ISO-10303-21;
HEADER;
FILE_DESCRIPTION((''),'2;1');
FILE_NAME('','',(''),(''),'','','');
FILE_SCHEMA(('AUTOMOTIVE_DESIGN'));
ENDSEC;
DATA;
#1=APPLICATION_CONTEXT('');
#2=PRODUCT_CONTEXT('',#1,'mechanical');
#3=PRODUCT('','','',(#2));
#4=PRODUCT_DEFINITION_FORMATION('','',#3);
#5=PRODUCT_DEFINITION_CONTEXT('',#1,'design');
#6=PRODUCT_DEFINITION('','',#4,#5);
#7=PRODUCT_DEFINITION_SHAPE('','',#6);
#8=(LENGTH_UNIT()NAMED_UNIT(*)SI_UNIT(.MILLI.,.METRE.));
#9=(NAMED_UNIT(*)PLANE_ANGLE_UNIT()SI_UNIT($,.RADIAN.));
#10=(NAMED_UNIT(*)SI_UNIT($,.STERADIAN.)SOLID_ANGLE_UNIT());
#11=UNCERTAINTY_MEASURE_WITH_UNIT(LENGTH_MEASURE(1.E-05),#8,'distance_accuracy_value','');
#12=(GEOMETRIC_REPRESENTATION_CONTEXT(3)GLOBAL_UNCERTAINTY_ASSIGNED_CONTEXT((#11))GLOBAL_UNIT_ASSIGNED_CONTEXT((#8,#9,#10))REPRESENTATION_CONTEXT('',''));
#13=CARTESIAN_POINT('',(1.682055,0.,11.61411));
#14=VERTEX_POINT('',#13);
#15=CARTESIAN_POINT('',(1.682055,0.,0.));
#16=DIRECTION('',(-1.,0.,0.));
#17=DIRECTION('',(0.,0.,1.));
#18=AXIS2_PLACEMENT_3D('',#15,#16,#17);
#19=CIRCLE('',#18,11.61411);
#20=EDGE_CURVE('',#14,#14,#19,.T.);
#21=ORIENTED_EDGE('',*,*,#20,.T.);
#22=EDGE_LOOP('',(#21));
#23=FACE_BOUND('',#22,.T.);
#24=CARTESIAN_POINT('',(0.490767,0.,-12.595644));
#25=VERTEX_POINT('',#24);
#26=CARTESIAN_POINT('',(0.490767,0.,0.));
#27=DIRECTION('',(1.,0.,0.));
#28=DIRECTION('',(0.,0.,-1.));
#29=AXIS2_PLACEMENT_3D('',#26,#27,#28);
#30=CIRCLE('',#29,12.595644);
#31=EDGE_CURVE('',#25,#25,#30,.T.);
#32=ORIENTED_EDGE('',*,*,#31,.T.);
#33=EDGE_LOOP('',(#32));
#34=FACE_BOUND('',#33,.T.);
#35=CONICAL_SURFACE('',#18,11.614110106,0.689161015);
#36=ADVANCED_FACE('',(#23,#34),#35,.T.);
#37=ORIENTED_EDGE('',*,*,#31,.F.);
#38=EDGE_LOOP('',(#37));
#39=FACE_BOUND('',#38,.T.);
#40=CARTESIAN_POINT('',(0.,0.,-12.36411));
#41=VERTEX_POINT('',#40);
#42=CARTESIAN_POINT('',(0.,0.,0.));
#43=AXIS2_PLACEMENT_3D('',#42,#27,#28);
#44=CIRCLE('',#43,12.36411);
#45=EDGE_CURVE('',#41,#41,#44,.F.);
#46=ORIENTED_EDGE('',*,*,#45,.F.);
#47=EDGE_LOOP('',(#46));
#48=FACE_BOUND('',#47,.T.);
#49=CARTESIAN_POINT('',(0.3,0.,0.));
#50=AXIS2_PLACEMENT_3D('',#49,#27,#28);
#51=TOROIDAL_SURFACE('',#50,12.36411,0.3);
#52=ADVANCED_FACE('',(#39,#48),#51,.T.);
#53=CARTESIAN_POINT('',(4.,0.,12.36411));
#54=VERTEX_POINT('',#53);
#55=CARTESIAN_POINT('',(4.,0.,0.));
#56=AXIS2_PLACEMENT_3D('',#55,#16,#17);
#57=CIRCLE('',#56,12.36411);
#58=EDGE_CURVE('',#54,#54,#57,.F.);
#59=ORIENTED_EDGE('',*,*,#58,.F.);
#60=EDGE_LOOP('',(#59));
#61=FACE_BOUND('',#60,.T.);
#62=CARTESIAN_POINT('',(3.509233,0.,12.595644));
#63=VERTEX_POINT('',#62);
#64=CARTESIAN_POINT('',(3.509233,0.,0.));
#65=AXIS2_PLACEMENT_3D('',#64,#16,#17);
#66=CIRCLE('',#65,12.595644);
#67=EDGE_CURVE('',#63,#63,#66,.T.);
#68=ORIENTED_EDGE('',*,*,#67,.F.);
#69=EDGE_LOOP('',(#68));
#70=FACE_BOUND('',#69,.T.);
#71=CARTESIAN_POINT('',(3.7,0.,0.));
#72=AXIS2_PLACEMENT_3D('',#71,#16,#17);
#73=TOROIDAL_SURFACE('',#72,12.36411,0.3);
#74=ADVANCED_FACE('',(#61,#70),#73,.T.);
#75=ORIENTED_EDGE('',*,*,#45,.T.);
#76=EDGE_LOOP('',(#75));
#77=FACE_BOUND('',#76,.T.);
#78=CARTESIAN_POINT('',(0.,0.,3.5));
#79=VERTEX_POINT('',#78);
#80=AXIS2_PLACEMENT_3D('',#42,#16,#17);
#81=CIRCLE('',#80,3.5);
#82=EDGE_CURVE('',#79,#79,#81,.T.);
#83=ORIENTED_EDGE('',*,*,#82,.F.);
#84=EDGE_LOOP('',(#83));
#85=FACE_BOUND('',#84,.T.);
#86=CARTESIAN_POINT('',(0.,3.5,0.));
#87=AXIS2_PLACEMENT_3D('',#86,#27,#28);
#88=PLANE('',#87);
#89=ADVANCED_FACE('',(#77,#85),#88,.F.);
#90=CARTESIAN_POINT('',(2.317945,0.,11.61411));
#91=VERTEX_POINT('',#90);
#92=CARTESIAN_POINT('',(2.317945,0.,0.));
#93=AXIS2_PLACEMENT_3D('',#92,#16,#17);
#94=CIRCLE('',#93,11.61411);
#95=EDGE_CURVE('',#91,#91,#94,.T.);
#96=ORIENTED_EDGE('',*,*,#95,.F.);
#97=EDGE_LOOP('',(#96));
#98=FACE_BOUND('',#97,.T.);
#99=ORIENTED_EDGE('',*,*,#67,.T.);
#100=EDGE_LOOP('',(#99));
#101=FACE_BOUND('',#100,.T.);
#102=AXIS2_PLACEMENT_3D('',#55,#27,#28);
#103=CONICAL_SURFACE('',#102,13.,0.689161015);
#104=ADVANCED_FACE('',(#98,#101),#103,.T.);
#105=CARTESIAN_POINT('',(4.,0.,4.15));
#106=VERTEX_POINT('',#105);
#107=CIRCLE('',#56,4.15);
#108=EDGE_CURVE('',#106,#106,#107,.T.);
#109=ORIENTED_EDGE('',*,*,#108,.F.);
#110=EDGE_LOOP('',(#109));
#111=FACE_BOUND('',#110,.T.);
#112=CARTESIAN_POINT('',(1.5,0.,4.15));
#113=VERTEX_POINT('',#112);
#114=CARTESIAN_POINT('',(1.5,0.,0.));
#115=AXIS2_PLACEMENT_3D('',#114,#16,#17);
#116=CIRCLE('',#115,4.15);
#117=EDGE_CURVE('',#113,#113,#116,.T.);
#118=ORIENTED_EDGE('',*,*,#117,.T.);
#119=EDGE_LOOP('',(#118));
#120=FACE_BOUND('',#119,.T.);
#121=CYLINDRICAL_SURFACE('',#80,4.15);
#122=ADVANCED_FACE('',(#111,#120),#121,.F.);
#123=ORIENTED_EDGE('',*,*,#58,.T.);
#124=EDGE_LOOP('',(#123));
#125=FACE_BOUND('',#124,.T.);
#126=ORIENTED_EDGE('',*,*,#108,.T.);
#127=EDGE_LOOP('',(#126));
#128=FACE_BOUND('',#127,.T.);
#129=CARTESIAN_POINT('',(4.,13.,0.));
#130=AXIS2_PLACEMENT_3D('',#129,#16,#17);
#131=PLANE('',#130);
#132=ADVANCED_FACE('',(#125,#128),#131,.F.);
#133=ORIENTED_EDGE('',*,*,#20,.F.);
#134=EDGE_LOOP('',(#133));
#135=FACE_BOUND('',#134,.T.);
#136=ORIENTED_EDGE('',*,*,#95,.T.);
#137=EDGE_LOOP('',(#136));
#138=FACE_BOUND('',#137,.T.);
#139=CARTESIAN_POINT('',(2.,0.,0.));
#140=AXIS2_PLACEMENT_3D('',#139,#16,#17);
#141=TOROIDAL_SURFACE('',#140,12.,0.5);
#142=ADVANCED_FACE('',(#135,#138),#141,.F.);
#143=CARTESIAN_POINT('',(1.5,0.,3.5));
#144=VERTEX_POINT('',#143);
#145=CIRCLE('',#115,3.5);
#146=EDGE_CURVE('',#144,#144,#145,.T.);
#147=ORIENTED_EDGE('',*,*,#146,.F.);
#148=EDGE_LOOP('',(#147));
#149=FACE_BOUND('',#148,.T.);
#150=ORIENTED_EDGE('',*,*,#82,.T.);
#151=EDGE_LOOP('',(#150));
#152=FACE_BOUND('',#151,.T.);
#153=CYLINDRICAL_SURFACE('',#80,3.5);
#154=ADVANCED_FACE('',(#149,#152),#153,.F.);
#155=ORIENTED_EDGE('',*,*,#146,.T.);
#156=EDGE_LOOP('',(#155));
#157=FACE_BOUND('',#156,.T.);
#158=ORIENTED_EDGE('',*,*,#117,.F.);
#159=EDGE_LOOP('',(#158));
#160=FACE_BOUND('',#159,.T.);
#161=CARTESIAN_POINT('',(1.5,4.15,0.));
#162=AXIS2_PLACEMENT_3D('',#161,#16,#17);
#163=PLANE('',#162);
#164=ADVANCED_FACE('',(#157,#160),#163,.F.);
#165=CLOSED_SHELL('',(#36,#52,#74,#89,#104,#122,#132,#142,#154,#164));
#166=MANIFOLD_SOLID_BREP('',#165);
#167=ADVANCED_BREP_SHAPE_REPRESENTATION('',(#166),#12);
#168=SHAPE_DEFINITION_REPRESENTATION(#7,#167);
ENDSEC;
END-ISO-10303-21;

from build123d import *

# Parameters (mm, degrees)
FILLET1_R = 0.3


with BuildPart() as part:
    # Sketch1 → Revolve1 (revolve)
    with BuildSketch(Plane.XY, mode=Mode.PRIVATE) as revolve1_sk:
        with BuildLine():
            Line((0, 3.5), (0, 13))
            Line((0, 13), (1.682055053, 11.614110106))
            ThreePointArc((1.682055053, 11.614110106), (2, 11.5), (2.317944947, 11.614110106))
            Line((2.317944947, 11.614110106), (4, 13))
            Line((4, 13), (4, 4.15))
            Line((4, 4.15), (1.5, 4.15))
            Line((1.5, 4.15), (1.5, 3.5))
            Line((1.5, 3.5), (0, 3.5))
        make_face()
    revolve(revolve1_sk.sketch.rotate(Axis((0, 0, 0), (1, 0, 0)), 90), axis=Axis((0, 0, 0), (1, 0, 0)))

    # Fillet1
    fillet1_edges = [part.edges().sort_by_distance(p)[0] for p in [
        (0, 0, -13),
        (4, 0, -13),
    ]]
    fillet(fillet1_edges, radius=FILLET1_R)


solid = part.part
